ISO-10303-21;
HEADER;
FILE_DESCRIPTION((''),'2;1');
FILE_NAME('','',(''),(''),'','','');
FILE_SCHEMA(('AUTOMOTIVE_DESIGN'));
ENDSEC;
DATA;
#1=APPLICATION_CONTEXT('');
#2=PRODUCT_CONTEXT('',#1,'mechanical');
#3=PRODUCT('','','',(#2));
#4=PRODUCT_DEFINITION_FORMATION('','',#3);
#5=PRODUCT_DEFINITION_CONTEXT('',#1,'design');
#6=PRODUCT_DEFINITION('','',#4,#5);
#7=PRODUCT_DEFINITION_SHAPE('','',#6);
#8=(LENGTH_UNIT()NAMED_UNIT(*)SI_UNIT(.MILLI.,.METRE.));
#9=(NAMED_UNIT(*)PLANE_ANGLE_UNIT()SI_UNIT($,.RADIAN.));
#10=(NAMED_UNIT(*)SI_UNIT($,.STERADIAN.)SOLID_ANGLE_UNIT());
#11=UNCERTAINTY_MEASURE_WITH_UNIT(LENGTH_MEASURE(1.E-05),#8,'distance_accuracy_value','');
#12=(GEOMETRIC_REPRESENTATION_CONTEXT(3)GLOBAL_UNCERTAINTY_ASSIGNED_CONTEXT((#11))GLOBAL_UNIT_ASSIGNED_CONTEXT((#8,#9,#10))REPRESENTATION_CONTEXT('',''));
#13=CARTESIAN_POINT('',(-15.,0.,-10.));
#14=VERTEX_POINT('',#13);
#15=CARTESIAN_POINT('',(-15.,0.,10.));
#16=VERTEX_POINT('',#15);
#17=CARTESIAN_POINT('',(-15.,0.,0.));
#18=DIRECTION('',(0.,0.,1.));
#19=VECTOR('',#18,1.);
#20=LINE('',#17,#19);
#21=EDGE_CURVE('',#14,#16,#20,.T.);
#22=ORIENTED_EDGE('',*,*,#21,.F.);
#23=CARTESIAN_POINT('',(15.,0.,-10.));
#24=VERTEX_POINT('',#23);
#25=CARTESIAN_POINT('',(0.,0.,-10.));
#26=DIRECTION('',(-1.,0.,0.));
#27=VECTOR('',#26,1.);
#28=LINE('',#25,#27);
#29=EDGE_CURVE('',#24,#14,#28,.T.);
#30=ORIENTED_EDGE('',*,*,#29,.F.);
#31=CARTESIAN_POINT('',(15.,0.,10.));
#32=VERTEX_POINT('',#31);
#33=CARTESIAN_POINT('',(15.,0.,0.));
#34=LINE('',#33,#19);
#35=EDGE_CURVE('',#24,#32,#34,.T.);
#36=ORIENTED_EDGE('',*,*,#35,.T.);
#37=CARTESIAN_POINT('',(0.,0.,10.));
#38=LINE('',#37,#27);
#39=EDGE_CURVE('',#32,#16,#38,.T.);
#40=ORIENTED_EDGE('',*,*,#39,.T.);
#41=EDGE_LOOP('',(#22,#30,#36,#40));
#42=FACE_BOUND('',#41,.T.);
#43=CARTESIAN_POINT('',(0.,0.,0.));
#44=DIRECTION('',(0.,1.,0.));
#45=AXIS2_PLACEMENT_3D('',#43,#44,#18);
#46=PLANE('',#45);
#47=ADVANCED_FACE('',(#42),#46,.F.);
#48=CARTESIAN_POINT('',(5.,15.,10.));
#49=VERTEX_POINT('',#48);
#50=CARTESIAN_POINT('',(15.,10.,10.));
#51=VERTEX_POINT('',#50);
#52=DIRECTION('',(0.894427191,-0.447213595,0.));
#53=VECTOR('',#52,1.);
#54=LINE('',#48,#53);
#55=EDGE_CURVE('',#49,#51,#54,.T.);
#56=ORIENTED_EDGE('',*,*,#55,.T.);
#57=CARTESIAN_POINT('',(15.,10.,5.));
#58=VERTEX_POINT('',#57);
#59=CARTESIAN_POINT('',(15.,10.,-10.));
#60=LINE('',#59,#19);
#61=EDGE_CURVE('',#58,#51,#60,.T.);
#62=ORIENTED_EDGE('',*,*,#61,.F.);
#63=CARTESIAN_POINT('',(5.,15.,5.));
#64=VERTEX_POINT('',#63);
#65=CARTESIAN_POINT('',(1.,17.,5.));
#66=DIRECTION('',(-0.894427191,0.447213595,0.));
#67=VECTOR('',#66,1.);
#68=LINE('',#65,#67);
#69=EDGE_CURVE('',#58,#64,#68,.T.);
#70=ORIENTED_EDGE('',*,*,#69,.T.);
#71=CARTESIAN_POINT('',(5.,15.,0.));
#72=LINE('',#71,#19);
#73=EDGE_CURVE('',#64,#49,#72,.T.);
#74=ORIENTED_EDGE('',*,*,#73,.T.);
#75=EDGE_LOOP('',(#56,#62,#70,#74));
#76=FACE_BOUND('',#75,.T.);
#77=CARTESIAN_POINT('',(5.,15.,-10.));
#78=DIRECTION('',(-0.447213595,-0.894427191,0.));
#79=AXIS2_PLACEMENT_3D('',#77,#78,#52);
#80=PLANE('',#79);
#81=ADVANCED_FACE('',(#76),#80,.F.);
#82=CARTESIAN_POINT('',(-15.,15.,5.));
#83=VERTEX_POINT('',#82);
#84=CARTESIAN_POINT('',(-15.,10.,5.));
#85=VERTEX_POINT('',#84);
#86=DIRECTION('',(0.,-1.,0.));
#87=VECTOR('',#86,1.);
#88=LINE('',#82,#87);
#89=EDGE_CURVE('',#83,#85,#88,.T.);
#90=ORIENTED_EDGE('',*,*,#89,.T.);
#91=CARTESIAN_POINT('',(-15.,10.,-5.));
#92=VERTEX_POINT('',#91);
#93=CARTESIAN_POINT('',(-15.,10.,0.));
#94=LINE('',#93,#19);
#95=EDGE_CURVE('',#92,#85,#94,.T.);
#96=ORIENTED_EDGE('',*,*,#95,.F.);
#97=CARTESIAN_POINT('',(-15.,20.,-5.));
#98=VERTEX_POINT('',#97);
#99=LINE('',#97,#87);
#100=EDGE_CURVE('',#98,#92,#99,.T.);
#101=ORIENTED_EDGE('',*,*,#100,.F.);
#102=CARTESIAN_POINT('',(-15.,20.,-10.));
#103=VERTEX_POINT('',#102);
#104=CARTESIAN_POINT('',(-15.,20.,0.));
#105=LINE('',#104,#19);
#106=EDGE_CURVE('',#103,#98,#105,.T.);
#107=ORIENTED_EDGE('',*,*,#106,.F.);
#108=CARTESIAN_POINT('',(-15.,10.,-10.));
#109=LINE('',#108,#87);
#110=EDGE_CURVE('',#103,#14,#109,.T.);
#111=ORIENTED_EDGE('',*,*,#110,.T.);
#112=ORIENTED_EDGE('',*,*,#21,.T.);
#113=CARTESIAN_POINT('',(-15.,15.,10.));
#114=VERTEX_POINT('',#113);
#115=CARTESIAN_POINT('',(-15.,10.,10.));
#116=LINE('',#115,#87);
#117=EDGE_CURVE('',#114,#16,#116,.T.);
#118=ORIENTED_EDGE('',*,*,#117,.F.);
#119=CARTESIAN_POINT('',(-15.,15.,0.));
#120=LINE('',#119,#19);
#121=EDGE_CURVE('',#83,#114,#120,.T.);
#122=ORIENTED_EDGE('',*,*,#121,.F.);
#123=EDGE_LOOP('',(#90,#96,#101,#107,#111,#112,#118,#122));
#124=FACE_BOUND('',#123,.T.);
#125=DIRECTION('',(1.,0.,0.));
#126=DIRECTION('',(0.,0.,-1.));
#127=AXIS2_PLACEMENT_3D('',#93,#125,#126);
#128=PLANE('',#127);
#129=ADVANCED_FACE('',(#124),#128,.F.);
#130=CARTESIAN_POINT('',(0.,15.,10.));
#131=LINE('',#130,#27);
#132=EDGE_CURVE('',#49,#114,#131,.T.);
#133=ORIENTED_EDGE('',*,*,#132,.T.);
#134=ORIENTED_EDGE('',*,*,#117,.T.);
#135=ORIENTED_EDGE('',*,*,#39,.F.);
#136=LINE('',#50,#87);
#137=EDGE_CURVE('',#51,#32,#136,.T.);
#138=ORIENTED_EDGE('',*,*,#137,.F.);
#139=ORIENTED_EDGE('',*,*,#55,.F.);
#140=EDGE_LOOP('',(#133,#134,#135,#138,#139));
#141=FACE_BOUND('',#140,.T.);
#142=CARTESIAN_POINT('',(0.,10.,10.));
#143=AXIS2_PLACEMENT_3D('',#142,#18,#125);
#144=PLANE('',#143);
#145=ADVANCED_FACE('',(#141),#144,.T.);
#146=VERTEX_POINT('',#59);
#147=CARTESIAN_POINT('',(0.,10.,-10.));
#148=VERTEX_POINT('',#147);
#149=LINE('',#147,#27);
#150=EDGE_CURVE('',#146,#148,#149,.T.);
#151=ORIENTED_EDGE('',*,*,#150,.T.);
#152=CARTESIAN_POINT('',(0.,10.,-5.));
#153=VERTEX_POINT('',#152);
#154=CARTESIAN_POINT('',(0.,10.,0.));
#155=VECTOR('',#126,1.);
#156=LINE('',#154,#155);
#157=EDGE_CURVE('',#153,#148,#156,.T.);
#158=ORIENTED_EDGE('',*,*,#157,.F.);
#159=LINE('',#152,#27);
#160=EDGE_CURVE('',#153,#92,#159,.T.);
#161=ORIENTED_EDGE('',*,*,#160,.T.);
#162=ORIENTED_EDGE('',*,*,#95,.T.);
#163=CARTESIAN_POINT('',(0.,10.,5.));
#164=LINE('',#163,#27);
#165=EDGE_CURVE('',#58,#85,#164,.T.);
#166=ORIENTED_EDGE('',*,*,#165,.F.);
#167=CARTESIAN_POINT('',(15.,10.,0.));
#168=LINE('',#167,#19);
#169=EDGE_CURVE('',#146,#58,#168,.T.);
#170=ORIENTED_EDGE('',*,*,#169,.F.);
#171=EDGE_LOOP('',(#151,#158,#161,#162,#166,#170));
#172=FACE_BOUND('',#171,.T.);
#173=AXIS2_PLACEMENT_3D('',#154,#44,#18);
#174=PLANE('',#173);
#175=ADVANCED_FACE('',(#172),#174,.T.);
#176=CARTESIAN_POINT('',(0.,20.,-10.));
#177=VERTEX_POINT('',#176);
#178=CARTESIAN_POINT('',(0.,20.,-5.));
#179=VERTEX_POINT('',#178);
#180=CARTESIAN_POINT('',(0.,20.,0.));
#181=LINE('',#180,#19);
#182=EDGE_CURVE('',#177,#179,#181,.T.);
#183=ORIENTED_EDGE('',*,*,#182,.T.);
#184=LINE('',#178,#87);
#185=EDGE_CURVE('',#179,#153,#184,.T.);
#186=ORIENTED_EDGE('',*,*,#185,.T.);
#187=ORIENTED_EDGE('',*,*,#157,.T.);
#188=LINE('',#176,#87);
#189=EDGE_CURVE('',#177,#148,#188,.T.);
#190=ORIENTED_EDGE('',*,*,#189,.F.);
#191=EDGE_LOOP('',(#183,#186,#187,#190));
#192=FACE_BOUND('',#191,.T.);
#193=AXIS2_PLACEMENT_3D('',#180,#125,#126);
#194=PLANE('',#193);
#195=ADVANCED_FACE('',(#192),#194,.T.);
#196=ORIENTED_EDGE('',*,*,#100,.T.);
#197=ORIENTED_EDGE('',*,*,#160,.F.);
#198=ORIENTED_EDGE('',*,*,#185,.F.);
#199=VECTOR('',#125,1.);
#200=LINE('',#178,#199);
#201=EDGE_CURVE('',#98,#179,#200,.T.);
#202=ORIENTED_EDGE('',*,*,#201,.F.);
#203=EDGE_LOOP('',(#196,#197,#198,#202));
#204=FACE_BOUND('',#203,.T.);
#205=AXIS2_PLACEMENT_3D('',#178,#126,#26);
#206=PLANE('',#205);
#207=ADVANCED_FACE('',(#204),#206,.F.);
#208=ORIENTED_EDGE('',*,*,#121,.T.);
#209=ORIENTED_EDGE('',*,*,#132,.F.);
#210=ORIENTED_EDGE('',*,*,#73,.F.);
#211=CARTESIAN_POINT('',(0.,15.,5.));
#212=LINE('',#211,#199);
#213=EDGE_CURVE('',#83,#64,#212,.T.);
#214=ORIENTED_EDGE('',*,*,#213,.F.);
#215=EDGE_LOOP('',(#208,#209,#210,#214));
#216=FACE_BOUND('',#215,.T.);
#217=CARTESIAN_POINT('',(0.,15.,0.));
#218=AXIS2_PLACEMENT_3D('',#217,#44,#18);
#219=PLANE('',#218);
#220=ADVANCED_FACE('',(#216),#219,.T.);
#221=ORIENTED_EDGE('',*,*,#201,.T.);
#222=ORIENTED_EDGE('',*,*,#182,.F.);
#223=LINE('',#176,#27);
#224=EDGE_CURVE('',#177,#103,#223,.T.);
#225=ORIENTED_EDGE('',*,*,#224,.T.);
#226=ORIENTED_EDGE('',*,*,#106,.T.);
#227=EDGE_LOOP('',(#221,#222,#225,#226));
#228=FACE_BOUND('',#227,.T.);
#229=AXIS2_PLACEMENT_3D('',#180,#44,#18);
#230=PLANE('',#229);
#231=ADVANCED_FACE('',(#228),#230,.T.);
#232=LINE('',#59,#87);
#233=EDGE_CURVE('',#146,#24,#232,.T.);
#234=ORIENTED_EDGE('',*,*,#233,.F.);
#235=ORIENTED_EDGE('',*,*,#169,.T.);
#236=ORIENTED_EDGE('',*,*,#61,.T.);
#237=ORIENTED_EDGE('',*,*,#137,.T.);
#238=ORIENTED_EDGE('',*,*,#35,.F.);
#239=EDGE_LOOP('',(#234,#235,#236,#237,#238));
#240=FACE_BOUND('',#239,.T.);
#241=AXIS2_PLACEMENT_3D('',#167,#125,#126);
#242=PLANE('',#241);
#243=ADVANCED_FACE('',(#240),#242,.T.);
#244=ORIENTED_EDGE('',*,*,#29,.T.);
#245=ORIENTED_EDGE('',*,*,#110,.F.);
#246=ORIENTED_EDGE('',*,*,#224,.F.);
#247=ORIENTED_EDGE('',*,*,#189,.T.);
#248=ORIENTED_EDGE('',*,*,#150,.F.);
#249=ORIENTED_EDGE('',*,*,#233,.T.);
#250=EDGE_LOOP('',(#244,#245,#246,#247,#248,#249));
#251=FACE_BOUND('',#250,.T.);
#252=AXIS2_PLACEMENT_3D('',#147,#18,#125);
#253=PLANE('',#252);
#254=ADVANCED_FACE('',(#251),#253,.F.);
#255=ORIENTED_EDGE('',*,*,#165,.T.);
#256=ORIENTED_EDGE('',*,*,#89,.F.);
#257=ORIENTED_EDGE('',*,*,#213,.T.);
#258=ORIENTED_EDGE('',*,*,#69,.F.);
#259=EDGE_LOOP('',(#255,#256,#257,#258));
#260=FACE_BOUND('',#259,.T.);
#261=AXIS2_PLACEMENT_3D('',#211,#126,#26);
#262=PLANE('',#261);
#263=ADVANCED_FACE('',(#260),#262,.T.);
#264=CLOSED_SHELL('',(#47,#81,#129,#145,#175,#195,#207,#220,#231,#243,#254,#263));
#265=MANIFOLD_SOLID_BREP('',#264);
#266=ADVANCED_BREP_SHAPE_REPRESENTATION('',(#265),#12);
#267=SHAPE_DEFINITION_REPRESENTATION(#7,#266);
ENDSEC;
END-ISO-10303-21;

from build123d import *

# Parameters (mm, degrees)
SKETCH_1_W          = 30
SKETCH_1_H          = 20
EXTRUDE_1_DEPTH     = 10
SKETCH_1_3_W        = 30
SKETCH_1_3_H        = 5
EXTRUDE_2_DEPTH     = 15
SKETCH_1_4_W        = 15
SKETCH_1_4_H        = 5
EXTRUDE_3_DEPTH     = 20
CUT_EXTRUDE_1_DEPTH = 20


with BuildPart() as part:
    # 草圖1 → 填料-伸長1 (new body)
    with BuildSketch(Plane(origin=(0, 0, 0), x_dir=(1, 0, 0), z_dir=(0, 1, 0))):
        Rectangle(SKETCH_1_W, SKETCH_1_H)
    extrude(amount=EXTRUDE_1_DEPTH)

    # 草圖1<3> → 填料-伸長2 (add)
    with BuildSketch(Plane(origin=(0, 0, 0), x_dir=(1, 0, 0), z_dir=(0, 1, 0))):
        with Locations((0, -7.5)):
            Rectangle(SKETCH_1_3_W, SKETCH_1_3_H)
    extrude(amount=EXTRUDE_2_DEPTH)

    # 草圖1<4> → 填料-伸長3 (add)
    with BuildSketch(Plane(origin=(0, 0, 0), x_dir=(1, 0, 0), z_dir=(0, 1, 0))):
        with Locations((-7.5, 7.5)):
            Rectangle(SKETCH_1_4_W, SKETCH_1_4_H)
    extrude(amount=EXTRUDE_3_DEPTH)

    # 草圖2 → 除料-伸長1 (cut)
    with BuildSketch(Plane.XY.offset(10)):
        Polygon((5, 15), (15, 10), (15, 15), align=None)
    extrude(amount=-CUT_EXTRUDE_1_DEPTH, mode=Mode.SUBTRACT)


solid = part.part
